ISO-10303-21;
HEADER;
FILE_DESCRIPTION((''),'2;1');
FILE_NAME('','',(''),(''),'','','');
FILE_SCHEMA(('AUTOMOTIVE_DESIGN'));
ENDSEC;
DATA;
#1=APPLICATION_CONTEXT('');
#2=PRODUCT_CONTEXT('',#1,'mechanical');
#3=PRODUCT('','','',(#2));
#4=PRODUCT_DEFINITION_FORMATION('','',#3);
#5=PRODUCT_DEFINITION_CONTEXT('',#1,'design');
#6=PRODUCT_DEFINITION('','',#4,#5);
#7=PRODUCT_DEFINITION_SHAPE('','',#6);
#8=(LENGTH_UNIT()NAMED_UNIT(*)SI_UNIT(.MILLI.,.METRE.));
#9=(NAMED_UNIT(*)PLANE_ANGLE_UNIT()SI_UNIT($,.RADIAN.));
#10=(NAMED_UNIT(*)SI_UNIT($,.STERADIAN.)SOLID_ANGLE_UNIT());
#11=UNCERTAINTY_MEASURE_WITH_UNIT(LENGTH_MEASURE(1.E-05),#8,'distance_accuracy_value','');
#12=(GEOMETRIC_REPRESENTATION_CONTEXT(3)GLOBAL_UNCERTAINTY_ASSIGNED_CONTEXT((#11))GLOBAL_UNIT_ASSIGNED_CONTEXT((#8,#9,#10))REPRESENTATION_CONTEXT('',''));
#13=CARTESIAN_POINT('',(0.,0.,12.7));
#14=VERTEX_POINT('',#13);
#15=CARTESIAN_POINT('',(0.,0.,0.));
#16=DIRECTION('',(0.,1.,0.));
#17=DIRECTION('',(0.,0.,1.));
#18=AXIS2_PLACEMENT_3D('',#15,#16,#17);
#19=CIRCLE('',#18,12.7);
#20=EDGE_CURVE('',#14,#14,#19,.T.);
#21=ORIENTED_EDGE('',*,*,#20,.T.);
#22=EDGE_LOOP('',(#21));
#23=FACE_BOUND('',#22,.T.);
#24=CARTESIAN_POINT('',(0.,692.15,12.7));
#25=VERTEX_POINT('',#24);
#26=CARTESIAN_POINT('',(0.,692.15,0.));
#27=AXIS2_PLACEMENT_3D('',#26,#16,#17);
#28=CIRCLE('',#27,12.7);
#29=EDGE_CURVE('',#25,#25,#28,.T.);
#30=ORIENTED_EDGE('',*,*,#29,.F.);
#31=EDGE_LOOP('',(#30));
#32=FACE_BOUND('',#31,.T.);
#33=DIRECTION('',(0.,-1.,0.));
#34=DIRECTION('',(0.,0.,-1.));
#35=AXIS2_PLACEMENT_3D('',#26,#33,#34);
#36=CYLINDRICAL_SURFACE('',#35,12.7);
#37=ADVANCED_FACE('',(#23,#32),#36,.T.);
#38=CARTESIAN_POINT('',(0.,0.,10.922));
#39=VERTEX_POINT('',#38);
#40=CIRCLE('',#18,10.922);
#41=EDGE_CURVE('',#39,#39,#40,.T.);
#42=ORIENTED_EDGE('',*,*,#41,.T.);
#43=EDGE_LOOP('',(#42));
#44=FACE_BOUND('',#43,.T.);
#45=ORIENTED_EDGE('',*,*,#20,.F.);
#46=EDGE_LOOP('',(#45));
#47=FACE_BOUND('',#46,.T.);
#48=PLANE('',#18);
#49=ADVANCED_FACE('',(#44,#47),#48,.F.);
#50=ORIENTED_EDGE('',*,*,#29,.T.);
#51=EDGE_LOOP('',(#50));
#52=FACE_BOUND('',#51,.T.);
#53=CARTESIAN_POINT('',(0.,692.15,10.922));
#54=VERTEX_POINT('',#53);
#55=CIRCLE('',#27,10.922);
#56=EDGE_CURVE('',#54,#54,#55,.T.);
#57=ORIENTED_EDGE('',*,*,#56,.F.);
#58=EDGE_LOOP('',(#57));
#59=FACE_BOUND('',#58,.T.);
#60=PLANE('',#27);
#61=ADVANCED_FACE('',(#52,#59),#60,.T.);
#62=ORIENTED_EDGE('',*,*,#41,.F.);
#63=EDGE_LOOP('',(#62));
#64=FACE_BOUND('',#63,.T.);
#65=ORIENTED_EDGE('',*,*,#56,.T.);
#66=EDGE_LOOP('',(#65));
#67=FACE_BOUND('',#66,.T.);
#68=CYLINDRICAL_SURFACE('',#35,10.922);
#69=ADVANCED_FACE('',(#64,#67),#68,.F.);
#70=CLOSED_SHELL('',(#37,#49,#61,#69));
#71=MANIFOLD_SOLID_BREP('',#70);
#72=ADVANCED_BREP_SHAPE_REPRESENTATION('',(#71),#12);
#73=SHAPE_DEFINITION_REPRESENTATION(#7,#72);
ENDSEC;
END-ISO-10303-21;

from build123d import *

# Parameters (mm, degrees)
SKETCH1_R           = 12.7
SKETCH1_R_2         = 10.922
BOSS_EXTRUDE2_DEPTH = 692.15


with BuildPart() as part:
    # Sketch1 → Boss-Extrude2 (new body)
    with BuildSketch(Plane(origin=(0, 0, 0), x_dir=(1, 0, 0), z_dir=(0, 1, 0))):
        Circle(SKETCH1_R)
        Circle(SKETCH1_R_2, mode=Mode.SUBTRACT)
    extrude(amount=BOSS_EXTRUDE2_DEPTH)


solid = part.part
